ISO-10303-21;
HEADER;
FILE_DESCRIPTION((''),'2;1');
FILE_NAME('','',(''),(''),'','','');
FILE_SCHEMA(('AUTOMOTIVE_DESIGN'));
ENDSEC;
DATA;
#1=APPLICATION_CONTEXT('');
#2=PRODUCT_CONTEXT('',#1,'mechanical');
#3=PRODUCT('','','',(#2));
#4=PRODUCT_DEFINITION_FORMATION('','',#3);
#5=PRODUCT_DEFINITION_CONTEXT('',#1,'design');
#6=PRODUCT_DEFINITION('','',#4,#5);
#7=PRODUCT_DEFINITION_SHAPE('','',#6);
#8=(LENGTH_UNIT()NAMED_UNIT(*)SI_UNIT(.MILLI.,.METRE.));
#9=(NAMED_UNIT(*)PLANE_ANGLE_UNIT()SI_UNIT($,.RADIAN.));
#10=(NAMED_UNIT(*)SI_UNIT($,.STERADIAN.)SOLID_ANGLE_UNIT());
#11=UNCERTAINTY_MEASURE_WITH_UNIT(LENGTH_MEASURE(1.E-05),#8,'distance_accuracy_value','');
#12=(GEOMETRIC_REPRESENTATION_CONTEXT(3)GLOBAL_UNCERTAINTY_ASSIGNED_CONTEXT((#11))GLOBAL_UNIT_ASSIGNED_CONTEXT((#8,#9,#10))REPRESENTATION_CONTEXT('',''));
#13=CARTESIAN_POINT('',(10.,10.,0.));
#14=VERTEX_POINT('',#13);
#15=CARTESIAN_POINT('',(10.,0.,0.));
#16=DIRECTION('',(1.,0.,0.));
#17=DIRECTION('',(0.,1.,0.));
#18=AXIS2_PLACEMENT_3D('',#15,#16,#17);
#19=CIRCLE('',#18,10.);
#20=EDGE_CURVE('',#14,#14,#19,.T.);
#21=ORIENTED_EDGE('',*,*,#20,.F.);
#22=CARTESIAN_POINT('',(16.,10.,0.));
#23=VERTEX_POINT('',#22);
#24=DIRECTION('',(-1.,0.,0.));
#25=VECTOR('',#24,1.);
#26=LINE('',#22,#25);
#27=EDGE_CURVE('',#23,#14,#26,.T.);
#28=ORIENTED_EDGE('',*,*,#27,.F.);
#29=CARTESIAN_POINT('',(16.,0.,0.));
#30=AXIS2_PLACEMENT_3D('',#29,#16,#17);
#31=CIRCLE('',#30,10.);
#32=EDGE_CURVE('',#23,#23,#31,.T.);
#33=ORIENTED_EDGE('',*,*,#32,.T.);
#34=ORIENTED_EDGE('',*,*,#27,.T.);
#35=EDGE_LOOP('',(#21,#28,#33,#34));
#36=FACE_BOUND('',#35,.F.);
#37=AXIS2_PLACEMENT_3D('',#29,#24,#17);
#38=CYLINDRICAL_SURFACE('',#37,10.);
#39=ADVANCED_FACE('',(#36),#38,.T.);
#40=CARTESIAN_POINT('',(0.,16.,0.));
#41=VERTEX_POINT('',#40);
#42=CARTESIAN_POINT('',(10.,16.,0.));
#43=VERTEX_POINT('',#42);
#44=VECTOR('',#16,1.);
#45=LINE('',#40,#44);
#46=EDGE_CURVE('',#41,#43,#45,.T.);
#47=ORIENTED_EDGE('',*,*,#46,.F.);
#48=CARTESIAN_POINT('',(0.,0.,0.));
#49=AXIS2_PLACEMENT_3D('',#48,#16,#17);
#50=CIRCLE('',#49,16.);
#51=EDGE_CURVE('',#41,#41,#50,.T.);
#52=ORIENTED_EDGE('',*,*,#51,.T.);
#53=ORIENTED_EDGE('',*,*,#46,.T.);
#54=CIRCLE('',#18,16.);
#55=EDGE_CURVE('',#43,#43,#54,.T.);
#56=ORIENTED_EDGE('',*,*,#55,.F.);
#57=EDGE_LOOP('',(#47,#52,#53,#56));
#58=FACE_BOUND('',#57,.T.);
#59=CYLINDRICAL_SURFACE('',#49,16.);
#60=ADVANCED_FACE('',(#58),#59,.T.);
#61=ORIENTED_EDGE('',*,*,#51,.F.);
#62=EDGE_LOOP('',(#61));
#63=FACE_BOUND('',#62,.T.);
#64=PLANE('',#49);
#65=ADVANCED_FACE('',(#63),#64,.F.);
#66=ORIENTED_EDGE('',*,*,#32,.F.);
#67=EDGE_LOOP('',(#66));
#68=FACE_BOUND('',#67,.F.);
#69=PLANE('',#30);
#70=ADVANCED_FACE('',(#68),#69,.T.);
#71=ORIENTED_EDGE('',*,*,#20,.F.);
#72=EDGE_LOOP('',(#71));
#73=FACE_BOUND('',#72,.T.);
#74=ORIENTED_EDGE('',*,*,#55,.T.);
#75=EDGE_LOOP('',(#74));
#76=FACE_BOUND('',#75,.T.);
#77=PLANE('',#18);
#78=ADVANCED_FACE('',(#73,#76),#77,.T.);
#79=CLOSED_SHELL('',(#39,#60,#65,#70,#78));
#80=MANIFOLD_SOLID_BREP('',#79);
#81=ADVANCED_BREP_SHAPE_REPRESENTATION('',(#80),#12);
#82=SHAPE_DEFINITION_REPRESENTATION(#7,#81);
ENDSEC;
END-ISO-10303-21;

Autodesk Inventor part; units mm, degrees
ref_plane "YZ Plane" through (0, 0, 0) normal (1, 0, 0) x (0, 1, 0)
ref_plane "XZ Plane" through (0, 0, 0) normal (0, 1, 0) x (-1, 0, 0)
ref_plane "XY Plane" through (0, 0, 0) normal (0, 0, 1) x (1, 0, 0)
sketch "Sketch1" plane through (0, 0, 0) normal (0, 0, 1) x (1, 0, 0)
  line L0 (0, 0) -> (16, 0)
  line L1 (16, 0) -> (16, 10)
  line L2 (16, 10) -> (10, 10)
  line L3 (0, 0) -> (0, 16)
  line L4 (0, 16) -> (10, 16)
  line L5 (10, 16) -> (10, 10)
  dimension "d1" = 10
  dimension "d2" = 6
  dimension "d3" = 16
  dimension "d5" = 10
revolve "Revolution1" add sketch "Sketch1" angle 360 about axis through (0, 0, 0) along (1, 0, 0)
properties part number "Remskive" material "Steel"
